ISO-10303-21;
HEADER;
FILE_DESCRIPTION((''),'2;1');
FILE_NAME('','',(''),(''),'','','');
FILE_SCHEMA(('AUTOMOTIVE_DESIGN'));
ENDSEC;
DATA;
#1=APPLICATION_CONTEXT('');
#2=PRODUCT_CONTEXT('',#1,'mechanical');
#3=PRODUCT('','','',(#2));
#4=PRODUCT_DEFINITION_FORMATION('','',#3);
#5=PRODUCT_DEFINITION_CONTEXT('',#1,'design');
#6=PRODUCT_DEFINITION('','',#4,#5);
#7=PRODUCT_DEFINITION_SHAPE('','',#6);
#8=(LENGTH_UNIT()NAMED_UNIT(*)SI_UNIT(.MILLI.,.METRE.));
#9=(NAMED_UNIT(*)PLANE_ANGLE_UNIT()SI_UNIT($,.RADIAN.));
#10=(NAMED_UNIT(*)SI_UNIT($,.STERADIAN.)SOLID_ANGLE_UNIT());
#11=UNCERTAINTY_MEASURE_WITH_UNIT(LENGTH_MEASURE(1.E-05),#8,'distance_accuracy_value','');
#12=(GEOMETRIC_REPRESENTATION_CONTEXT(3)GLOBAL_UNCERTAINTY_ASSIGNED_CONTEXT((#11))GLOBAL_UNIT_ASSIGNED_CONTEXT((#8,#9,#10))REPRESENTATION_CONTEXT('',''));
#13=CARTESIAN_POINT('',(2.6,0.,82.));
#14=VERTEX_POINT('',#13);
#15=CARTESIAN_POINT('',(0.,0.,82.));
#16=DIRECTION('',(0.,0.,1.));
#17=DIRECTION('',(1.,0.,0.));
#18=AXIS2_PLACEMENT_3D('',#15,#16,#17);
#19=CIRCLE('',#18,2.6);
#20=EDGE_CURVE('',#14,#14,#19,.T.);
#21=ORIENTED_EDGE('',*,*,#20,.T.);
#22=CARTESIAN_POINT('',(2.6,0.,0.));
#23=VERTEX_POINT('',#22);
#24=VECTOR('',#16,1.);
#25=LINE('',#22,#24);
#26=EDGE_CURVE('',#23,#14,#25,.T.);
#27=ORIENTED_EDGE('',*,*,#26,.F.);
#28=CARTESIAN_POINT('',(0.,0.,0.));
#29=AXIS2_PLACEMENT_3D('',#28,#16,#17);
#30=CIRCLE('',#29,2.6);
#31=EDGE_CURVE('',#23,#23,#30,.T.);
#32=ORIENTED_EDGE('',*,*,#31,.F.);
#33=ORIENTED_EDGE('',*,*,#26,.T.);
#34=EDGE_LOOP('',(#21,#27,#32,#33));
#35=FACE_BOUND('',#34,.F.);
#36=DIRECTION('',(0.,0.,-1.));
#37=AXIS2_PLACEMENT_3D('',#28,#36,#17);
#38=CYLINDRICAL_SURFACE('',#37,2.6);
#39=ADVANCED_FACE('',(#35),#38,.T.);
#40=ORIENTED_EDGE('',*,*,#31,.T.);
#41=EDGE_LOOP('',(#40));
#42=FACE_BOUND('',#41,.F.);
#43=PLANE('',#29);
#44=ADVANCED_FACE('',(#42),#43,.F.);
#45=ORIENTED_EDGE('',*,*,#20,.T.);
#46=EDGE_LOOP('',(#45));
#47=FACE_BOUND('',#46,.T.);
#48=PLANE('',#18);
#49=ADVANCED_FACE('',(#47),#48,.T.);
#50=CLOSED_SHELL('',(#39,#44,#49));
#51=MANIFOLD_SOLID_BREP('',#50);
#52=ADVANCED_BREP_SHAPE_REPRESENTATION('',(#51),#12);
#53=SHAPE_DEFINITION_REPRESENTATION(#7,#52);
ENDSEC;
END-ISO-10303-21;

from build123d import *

# Parameters (mm, degrees)
SKETCH_R  = 2.6
PAD_DEPTH = 82


with BuildPart() as part:
    # Sketch → Pad (new body)
    with BuildSketch(Plane.XY):
        Circle(SKETCH_R)
    extrude(amount=PAD_DEPTH)


solid = part.part
